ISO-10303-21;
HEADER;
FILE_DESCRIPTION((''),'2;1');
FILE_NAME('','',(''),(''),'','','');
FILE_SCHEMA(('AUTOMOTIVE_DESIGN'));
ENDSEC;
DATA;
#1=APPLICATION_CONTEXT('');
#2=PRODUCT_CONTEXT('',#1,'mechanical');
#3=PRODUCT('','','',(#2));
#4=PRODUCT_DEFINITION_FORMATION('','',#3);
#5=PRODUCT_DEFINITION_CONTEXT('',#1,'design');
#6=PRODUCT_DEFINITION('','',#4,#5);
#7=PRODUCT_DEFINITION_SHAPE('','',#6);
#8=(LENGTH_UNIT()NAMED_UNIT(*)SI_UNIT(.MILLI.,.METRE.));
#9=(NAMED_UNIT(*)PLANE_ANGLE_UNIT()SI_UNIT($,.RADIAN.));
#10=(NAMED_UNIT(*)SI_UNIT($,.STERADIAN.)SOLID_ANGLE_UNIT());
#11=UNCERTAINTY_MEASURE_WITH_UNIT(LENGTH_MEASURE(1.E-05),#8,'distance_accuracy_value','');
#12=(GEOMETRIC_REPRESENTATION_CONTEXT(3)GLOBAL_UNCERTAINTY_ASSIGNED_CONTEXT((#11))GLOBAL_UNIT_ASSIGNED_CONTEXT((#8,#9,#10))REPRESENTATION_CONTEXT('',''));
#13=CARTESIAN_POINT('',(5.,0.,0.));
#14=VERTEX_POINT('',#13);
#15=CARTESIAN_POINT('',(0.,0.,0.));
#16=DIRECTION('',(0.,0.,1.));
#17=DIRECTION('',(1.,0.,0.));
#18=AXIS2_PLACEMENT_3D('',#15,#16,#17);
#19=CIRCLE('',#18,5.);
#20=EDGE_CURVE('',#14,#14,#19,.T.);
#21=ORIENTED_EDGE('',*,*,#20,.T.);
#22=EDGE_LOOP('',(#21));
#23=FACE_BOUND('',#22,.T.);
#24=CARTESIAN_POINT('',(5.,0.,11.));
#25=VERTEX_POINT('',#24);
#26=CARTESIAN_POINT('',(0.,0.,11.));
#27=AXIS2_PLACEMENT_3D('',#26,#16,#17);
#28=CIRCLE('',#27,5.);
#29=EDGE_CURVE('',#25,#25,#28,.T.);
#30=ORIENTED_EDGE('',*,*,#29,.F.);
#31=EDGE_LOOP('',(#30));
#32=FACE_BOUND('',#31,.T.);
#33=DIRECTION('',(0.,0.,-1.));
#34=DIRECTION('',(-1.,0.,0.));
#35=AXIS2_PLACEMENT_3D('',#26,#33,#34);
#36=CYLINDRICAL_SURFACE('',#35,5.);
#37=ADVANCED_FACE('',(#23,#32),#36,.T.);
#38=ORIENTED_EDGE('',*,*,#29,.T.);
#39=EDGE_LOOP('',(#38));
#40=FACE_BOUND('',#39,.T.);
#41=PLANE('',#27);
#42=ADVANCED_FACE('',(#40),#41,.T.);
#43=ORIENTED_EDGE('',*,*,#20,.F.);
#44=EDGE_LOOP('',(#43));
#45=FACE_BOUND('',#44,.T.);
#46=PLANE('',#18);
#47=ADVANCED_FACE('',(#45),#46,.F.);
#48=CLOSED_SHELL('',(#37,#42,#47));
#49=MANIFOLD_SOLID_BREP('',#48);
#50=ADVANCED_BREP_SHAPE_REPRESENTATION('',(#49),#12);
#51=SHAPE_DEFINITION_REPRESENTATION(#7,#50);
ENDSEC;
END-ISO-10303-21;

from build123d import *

# Parameters (mm, degrees)
SKETCH1_R           = 5
BOSS_EXTRUDE1_DEPTH = 11


with BuildPart() as part:
    # Sketch1 → Boss-Extrude1 (new body)
    with BuildSketch(Plane.XY):
        Circle(SKETCH1_R)
    extrude(amount=BOSS_EXTRUDE1_DEPTH)


solid = part.part
